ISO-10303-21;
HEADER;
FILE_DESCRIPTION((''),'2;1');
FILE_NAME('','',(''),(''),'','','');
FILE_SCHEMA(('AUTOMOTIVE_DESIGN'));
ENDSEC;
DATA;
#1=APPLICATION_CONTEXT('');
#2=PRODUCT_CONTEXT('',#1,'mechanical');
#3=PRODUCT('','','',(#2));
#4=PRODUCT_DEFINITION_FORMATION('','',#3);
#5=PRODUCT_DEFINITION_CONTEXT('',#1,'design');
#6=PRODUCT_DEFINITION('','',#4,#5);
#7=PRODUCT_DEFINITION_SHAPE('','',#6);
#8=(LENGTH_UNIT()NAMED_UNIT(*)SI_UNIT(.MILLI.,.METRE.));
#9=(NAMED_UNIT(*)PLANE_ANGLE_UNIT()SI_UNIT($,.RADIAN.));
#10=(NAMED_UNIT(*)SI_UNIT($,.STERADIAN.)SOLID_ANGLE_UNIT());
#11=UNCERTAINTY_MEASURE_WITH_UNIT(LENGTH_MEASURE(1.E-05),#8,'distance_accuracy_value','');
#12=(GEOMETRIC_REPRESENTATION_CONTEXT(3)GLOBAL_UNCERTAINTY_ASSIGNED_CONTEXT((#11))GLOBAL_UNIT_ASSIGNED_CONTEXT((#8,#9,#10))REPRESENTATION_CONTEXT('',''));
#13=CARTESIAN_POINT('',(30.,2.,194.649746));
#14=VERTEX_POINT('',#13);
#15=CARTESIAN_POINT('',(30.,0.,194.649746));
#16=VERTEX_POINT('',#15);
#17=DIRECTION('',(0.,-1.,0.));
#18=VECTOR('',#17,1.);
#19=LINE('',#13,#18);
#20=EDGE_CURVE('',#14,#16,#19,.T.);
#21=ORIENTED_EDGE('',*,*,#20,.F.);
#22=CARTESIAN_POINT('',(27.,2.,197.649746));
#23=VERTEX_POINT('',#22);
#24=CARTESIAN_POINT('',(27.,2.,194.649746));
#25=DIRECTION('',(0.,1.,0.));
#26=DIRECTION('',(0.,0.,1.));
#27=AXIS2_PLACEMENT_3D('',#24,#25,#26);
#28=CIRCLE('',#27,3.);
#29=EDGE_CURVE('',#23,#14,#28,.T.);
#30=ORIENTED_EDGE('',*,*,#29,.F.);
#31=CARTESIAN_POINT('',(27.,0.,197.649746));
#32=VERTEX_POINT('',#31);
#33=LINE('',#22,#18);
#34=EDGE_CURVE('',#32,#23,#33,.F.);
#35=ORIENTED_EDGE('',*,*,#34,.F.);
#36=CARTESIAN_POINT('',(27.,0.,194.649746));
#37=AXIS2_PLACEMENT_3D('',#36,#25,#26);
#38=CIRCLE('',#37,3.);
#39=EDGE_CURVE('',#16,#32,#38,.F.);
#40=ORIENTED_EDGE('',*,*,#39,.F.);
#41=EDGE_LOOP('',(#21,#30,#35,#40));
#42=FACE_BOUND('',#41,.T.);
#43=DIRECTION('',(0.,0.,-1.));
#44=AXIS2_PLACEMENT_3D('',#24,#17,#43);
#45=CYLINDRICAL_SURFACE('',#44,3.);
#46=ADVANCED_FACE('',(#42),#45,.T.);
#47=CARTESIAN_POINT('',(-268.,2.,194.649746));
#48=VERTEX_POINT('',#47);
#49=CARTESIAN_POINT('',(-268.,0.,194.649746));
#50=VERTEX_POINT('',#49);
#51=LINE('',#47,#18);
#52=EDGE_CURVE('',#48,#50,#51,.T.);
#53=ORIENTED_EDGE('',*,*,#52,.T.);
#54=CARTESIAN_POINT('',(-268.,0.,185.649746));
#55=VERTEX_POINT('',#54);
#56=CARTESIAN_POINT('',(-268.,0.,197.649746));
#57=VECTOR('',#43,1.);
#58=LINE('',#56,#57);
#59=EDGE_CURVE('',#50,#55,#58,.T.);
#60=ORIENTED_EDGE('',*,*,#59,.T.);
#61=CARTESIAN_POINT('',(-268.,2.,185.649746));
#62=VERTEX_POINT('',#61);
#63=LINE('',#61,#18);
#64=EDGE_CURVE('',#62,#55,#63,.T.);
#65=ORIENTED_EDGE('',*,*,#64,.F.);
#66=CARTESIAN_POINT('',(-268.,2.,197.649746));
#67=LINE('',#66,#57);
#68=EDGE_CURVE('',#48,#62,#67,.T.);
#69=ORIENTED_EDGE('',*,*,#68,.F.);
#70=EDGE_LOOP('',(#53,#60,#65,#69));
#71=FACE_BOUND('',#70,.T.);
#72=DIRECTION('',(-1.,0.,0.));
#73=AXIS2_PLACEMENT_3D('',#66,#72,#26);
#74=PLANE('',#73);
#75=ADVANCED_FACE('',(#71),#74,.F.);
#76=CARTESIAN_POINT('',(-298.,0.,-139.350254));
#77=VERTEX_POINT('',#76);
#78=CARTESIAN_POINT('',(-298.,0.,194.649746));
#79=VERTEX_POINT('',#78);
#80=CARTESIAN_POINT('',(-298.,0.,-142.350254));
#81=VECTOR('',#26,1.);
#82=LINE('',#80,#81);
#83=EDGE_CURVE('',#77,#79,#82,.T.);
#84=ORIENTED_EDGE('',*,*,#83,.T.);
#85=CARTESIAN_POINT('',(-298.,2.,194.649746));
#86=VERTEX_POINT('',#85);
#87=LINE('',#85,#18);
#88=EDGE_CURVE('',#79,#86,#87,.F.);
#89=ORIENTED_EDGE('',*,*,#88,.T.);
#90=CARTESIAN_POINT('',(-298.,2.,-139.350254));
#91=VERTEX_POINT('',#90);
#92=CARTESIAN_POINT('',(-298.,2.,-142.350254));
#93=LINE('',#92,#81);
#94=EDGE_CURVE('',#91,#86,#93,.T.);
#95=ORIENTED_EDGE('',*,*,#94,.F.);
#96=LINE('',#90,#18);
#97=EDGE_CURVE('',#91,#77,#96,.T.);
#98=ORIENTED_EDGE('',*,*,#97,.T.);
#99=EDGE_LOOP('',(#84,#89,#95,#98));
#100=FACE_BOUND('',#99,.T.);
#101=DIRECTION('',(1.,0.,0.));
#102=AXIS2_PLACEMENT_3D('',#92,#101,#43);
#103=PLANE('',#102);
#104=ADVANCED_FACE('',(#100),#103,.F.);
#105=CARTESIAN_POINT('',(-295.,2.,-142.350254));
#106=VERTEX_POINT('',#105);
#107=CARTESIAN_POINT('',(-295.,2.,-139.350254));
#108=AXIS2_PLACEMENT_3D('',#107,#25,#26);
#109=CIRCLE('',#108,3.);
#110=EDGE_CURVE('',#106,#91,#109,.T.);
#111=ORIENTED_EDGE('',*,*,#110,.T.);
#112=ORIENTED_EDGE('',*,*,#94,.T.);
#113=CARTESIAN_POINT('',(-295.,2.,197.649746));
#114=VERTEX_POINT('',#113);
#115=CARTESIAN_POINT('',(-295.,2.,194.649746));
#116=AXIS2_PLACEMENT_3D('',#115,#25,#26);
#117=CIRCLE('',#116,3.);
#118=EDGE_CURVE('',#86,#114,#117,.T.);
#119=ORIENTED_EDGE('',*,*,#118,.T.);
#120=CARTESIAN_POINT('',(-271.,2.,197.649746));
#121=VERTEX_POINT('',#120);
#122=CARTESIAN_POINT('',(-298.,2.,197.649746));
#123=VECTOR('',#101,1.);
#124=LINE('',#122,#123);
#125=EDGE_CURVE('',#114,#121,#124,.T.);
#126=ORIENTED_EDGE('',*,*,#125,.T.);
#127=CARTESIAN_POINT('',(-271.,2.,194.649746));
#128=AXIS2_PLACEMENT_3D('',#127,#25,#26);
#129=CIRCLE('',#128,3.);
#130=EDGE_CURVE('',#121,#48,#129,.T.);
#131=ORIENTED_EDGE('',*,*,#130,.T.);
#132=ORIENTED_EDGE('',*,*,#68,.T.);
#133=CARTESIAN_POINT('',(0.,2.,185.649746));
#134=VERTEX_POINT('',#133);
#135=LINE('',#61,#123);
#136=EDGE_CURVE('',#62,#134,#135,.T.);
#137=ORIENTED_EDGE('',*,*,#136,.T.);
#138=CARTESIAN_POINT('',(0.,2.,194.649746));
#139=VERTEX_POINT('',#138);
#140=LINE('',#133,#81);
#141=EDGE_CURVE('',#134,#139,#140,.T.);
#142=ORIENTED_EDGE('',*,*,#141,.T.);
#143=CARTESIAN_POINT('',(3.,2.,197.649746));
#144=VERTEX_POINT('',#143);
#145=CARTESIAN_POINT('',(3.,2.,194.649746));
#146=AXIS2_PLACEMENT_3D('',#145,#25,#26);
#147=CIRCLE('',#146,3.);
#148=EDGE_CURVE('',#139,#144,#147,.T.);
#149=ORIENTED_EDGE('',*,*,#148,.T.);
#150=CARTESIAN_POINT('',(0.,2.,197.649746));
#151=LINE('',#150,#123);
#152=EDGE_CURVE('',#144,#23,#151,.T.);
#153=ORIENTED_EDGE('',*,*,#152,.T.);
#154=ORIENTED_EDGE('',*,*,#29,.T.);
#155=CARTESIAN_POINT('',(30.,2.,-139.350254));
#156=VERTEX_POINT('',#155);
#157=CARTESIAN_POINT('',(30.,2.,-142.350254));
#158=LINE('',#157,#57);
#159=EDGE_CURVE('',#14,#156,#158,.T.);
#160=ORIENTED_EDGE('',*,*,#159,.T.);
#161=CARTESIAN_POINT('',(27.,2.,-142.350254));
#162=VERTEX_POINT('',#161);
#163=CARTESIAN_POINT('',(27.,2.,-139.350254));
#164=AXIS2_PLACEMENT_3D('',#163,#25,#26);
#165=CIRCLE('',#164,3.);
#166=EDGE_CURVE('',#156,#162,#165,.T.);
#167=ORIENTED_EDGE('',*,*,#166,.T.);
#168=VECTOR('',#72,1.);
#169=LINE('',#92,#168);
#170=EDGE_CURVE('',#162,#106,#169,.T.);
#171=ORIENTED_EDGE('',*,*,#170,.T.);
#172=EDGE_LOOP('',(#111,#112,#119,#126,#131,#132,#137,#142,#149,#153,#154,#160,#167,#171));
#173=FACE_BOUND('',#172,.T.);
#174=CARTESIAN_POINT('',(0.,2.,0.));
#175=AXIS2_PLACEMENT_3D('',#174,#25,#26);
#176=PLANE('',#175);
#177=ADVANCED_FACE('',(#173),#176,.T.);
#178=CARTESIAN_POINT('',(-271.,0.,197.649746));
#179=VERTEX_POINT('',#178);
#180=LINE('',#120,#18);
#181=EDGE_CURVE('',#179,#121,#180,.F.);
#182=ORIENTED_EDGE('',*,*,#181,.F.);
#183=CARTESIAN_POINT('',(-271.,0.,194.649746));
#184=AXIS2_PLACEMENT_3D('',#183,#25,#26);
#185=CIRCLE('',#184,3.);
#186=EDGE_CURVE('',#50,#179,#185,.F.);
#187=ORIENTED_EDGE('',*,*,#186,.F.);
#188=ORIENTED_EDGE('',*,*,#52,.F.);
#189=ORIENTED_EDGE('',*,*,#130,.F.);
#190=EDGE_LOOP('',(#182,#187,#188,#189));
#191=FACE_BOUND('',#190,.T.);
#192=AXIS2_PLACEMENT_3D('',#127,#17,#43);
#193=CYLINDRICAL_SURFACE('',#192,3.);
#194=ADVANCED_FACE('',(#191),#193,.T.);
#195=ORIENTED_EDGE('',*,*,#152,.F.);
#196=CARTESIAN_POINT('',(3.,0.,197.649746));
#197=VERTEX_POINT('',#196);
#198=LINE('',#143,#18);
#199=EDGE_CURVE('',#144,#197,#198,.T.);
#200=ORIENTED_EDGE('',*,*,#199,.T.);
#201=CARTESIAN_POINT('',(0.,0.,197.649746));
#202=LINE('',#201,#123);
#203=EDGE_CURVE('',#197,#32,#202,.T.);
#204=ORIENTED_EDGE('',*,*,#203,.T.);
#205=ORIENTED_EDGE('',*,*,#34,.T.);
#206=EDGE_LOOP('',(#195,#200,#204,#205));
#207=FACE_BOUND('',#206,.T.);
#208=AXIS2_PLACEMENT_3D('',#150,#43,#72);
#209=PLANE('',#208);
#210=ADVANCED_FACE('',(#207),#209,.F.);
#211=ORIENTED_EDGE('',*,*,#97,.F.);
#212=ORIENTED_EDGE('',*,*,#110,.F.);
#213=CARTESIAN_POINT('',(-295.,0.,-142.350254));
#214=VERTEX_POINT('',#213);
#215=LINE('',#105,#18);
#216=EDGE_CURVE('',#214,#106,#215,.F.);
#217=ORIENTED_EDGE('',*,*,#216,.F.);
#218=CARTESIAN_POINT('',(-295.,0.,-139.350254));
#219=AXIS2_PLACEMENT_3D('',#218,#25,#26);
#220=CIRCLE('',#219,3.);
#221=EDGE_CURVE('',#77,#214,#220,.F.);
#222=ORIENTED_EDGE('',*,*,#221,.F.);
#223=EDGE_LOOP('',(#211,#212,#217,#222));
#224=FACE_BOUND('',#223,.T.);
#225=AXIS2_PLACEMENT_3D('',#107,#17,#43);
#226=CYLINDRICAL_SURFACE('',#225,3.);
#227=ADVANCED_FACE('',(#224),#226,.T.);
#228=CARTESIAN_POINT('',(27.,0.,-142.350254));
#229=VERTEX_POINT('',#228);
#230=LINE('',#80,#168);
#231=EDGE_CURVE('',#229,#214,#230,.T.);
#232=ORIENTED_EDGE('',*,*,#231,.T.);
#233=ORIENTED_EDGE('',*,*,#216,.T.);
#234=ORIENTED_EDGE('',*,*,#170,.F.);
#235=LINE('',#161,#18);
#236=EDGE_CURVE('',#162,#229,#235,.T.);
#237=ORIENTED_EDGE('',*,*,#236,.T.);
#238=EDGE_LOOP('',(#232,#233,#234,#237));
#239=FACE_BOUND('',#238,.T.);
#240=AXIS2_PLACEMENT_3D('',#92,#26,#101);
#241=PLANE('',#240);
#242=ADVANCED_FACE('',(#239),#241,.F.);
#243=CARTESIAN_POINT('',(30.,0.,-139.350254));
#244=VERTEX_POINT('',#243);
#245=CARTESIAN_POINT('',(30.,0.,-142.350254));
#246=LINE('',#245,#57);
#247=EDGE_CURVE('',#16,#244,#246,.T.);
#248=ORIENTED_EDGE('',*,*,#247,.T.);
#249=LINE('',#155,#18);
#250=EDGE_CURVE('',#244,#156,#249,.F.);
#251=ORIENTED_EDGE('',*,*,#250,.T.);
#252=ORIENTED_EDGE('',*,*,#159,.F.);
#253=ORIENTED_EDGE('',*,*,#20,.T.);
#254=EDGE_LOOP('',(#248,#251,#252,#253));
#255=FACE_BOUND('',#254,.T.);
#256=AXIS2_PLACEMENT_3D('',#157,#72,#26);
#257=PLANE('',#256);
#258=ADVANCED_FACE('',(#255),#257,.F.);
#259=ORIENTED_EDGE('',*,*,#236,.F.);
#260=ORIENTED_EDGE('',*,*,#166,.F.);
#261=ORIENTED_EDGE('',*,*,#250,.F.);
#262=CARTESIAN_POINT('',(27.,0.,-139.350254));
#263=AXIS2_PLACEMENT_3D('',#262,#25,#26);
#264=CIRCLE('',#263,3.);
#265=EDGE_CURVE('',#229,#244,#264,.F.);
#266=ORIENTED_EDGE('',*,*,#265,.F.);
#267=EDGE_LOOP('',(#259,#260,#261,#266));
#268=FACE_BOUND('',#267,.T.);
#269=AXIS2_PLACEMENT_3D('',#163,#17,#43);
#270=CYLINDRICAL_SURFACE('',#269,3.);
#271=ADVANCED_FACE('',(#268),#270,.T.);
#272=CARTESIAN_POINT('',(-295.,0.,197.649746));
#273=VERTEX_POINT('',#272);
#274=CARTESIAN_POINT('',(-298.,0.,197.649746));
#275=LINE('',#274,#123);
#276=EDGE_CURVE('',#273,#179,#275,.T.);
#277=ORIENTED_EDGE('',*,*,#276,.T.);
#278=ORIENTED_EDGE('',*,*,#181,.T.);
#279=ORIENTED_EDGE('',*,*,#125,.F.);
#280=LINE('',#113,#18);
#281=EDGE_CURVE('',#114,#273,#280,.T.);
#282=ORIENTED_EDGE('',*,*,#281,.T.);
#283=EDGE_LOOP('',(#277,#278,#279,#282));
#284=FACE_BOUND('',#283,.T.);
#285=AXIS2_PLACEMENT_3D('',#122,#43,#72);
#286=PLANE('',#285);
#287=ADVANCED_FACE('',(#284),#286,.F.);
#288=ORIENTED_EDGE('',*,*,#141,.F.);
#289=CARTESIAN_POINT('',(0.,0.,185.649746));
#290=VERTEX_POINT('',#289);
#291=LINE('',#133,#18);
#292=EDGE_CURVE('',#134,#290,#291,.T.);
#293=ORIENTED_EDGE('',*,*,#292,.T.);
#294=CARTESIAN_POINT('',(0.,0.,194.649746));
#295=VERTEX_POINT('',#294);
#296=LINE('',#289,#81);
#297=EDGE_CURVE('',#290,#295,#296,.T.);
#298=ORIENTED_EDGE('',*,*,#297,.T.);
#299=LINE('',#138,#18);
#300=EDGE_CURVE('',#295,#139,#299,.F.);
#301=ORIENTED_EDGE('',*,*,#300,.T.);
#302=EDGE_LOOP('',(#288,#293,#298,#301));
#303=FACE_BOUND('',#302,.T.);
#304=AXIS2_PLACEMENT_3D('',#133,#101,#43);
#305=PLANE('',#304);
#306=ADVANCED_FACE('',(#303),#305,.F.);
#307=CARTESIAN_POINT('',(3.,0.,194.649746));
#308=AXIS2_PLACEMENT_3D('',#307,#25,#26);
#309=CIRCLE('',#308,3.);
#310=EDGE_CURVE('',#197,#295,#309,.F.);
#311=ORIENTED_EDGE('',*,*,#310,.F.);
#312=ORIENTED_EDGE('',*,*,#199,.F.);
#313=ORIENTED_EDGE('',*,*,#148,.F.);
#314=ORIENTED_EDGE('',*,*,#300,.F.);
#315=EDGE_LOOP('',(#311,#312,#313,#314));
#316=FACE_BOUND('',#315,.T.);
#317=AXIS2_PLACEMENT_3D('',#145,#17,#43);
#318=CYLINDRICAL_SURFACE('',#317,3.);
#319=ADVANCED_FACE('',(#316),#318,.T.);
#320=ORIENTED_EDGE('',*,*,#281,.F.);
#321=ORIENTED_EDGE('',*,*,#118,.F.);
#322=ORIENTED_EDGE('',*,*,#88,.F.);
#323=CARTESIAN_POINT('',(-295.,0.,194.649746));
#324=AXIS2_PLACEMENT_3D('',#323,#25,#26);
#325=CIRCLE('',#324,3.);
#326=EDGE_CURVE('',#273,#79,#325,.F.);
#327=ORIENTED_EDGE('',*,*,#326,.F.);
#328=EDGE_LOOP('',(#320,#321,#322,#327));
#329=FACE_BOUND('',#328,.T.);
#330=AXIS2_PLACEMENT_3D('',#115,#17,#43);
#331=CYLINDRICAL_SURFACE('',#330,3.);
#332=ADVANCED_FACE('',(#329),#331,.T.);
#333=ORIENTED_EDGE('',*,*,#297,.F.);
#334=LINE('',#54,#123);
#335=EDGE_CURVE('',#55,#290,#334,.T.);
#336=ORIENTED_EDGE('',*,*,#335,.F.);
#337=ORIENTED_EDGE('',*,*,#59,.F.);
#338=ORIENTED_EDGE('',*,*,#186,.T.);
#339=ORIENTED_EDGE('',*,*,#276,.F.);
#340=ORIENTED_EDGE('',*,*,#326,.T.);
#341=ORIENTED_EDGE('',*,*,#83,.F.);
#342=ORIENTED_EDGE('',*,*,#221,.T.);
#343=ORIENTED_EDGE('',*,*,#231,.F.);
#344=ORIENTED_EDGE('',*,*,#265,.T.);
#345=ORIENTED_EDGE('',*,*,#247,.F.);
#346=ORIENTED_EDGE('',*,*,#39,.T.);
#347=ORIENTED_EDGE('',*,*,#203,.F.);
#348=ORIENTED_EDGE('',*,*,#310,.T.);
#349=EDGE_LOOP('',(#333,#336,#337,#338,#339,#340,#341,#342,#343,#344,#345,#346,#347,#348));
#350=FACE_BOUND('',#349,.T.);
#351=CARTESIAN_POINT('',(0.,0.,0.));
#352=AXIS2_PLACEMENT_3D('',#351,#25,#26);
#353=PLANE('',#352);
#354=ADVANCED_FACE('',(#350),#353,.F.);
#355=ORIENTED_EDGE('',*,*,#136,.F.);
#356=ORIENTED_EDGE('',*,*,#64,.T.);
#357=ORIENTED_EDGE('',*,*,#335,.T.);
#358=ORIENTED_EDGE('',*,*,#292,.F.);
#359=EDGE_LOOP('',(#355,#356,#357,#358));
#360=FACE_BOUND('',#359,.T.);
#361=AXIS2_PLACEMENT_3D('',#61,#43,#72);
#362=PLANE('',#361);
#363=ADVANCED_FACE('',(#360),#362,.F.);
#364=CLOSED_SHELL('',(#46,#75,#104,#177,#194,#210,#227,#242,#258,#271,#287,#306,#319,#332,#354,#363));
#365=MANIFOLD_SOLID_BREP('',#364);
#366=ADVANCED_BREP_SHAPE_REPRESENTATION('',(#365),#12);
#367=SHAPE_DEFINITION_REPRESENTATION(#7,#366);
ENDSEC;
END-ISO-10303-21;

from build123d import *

# Parameters (mm, degrees)
BOSS_EXTRUDE1_DEPTH = 2
FILLET1_R           = 3


with BuildPart() as part:
    # Sketch1 → Boss-Extrude1 (new body)
    with BuildSketch(Plane(origin=(0, 0, 0), x_dir=(1, 0, 0), z_dir=(0, 1, 0))):
        Polygon((-268, -197.649746193), (-268, -185.649746193), (0, -185.649746193), (0, -197.649746193), (30, -197.649746193), (30, 142.350253807), (-298, 142.350253807), (-298, -197.649746193), align=None)
    extrude(amount=BOSS_EXTRUDE1_DEPTH)

    # Fillet1
    fillet1_edges = [part.edges().sort_by_distance(p)[0] for p in [
        (-298, 1, -142.350253807),
        (30, 1, -142.350253807),
        (30, 1, 197.649746193),
        (0, 1, 197.649746193),
        (-268, 1, 197.649746193),
        (-298, 1, 197.649746193),
    ]]
    fillet(fillet1_edges, radius=FILLET1_R)


solid = part.part
